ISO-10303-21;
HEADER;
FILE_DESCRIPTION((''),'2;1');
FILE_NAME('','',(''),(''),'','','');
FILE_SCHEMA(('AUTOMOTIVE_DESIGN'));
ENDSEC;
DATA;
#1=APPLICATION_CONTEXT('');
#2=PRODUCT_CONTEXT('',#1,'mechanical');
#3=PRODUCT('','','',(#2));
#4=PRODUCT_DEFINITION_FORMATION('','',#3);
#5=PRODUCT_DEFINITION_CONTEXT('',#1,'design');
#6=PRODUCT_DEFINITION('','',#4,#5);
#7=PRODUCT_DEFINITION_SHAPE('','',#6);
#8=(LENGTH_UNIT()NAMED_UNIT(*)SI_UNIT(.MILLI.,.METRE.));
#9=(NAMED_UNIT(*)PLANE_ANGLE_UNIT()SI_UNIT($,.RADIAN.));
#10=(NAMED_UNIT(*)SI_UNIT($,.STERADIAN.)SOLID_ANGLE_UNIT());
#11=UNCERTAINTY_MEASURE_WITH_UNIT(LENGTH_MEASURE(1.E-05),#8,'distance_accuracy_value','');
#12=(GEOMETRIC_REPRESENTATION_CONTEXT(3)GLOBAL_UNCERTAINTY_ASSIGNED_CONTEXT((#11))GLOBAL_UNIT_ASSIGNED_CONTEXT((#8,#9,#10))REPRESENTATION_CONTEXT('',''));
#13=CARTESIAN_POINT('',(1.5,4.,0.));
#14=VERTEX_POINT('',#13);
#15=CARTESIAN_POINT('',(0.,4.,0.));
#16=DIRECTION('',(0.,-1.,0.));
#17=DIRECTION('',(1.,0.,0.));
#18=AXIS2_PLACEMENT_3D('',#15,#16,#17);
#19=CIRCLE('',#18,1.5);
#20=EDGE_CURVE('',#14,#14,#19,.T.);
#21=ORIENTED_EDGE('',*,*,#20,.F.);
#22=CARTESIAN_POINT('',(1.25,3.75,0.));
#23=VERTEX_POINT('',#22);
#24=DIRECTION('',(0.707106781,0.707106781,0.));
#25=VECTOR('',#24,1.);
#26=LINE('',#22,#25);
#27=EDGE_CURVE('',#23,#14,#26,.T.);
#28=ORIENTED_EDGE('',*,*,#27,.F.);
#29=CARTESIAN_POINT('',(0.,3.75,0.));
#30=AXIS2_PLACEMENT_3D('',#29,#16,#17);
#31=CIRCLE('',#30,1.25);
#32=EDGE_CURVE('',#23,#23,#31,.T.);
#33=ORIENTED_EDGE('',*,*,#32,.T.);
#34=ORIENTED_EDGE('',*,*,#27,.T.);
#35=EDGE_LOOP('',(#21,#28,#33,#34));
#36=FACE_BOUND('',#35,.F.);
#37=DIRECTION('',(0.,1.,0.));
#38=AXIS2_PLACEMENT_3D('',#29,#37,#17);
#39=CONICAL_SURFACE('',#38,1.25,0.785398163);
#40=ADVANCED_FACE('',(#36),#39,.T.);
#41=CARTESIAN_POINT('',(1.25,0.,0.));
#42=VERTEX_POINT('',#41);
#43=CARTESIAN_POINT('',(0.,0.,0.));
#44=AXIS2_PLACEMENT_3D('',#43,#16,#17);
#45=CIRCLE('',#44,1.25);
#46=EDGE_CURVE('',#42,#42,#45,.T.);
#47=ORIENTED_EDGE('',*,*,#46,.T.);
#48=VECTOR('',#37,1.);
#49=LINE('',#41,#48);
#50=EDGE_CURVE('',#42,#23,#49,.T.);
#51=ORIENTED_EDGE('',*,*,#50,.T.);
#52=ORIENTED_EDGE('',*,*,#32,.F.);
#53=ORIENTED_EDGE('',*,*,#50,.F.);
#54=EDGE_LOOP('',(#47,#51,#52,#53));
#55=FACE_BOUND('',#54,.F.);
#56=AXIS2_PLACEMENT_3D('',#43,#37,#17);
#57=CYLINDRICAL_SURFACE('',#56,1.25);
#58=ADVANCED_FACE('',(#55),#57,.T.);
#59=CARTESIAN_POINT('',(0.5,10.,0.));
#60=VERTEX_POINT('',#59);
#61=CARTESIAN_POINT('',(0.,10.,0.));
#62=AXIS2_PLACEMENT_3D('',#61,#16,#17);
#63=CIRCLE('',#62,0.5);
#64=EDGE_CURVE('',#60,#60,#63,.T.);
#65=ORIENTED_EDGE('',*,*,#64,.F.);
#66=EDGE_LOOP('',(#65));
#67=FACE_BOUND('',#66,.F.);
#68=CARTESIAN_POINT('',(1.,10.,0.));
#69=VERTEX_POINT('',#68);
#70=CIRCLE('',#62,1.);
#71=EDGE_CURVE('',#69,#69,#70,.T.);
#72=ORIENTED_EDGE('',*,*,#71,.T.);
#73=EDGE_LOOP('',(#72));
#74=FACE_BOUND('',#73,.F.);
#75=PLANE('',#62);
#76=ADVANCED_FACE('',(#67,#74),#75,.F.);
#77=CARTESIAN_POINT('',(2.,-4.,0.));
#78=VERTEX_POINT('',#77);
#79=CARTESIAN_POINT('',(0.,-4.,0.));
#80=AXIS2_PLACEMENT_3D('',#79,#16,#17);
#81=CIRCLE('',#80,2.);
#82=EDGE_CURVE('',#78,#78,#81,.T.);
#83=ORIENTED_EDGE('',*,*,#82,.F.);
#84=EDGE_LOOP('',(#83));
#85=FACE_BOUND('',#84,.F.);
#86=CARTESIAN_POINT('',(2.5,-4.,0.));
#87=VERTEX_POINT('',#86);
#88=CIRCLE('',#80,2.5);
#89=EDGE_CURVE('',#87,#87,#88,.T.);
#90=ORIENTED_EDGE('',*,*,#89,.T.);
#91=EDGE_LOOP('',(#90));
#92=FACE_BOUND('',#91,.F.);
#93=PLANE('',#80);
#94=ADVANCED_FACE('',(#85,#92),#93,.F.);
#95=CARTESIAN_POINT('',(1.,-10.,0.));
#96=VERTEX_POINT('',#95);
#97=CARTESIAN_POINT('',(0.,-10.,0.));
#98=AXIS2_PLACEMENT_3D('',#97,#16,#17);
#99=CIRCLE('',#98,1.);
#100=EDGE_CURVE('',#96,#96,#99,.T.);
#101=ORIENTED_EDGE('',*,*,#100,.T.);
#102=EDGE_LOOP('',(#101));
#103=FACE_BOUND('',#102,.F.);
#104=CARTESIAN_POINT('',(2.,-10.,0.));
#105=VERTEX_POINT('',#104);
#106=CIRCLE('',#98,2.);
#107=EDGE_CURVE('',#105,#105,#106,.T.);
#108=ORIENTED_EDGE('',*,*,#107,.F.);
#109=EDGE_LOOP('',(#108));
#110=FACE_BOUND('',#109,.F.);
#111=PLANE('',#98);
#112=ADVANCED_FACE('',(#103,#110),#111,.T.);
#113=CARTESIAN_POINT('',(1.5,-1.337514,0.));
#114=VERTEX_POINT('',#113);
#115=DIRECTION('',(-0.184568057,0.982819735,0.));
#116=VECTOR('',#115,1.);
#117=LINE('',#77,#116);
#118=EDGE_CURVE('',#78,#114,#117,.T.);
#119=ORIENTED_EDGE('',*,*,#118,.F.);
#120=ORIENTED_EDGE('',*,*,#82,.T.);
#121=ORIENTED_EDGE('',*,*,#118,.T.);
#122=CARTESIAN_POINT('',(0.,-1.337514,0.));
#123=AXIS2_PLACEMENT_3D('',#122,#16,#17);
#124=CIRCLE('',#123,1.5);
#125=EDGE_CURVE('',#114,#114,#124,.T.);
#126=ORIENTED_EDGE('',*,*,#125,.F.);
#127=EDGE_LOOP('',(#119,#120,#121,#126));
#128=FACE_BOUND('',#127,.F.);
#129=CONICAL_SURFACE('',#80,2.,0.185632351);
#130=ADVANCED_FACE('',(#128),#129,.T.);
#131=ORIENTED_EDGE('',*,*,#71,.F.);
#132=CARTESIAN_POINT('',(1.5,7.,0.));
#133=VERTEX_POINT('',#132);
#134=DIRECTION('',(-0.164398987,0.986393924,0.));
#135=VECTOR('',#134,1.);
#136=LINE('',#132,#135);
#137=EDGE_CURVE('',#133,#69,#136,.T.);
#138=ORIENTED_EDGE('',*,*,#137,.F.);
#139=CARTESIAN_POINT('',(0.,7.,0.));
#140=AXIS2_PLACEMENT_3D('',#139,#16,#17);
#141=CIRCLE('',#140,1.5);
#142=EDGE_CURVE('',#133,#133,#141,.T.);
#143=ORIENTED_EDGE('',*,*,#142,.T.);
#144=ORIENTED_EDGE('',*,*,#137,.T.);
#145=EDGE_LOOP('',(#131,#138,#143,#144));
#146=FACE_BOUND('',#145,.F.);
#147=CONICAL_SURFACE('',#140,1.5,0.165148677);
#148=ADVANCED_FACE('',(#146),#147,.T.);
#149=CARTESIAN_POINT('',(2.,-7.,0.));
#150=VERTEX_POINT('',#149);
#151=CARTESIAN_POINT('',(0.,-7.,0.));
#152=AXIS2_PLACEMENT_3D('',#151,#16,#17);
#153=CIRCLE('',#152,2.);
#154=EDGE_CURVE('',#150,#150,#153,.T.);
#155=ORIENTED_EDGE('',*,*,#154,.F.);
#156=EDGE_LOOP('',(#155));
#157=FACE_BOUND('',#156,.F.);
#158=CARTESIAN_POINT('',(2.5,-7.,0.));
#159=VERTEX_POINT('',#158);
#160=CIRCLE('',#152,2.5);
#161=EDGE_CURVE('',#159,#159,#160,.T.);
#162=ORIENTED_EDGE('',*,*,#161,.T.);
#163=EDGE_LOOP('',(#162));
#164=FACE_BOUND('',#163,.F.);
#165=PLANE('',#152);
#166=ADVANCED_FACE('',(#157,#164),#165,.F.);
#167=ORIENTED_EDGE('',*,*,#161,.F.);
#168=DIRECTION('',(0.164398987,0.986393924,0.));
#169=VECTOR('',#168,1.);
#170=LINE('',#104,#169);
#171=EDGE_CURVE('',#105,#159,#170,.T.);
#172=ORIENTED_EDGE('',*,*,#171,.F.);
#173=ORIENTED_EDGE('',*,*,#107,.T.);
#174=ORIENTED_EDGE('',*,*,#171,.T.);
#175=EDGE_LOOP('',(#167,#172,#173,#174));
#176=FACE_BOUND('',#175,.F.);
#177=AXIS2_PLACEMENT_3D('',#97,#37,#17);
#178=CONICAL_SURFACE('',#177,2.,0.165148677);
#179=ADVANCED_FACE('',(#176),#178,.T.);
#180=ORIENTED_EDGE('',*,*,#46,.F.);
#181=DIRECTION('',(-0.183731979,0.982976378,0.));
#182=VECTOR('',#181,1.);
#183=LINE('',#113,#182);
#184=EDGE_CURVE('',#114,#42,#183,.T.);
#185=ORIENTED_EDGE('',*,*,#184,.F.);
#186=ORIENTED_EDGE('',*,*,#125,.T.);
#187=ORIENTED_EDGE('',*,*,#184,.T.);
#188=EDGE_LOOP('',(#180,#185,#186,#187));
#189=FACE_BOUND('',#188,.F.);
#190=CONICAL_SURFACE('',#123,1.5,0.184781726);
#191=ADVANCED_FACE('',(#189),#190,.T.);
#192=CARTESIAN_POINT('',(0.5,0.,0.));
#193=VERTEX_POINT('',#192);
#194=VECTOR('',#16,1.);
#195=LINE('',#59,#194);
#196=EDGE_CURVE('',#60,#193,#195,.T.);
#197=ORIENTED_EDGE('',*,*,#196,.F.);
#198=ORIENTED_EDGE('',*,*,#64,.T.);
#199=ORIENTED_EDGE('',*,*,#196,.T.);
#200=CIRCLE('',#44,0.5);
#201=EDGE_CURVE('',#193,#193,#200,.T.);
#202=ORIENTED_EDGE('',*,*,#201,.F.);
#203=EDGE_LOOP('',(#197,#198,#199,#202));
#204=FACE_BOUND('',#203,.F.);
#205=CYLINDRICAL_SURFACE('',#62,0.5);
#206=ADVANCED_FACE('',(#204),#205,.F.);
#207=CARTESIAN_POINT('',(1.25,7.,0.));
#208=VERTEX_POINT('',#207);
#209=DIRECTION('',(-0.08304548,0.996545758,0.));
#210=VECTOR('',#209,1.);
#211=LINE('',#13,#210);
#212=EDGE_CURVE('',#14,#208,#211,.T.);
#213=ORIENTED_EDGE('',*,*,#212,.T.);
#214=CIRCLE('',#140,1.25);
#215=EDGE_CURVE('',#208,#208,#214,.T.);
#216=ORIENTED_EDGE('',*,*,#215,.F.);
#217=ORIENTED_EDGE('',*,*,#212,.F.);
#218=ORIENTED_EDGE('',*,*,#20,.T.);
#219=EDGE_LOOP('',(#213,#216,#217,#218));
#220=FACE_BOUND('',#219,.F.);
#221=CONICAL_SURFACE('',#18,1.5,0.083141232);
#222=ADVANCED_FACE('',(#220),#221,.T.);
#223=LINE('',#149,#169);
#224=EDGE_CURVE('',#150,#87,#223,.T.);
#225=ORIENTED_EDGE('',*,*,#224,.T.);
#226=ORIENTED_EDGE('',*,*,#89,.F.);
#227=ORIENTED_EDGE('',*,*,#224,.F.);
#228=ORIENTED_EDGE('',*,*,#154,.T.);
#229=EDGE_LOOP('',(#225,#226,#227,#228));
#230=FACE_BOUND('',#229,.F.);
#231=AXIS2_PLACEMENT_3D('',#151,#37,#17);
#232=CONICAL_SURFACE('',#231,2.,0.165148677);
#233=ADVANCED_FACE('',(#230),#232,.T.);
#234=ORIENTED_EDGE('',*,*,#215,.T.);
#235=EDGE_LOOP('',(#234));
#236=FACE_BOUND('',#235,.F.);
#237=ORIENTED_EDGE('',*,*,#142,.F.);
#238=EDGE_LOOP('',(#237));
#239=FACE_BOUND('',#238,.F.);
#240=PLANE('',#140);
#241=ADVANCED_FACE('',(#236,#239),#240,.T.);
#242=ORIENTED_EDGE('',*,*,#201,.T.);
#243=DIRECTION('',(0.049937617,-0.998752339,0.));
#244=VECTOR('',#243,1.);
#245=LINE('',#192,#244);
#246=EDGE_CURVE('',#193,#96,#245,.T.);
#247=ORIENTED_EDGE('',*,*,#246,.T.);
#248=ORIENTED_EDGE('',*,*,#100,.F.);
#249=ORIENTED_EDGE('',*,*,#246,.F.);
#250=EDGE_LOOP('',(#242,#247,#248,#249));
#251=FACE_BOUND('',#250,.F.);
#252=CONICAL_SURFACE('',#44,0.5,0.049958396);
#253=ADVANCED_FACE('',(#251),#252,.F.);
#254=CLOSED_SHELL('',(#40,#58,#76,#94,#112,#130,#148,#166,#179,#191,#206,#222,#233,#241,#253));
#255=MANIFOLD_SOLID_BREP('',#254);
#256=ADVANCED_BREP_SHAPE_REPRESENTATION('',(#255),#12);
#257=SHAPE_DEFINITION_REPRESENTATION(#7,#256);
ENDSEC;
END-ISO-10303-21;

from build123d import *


with BuildPart() as f1:
    # F0 (on Top) → F1 (revolve)
    with BuildSketch(Plane.XY):
        Polygon((1, 10), (0.5, 10), (0.5, 0), (1, -10), (2, -10), (2.5, -7), (2, -7), (2.5, -4), (2, -4), (1.5, -1.337514), (1.25, 0), (1.25, 3.75), (1.5, 4), (1.25, 7), (1.5, 7), align=None)
    revolve(axis=Axis((0, 4.414729, 0), (0, -1, 0)))


solid = f1.part
